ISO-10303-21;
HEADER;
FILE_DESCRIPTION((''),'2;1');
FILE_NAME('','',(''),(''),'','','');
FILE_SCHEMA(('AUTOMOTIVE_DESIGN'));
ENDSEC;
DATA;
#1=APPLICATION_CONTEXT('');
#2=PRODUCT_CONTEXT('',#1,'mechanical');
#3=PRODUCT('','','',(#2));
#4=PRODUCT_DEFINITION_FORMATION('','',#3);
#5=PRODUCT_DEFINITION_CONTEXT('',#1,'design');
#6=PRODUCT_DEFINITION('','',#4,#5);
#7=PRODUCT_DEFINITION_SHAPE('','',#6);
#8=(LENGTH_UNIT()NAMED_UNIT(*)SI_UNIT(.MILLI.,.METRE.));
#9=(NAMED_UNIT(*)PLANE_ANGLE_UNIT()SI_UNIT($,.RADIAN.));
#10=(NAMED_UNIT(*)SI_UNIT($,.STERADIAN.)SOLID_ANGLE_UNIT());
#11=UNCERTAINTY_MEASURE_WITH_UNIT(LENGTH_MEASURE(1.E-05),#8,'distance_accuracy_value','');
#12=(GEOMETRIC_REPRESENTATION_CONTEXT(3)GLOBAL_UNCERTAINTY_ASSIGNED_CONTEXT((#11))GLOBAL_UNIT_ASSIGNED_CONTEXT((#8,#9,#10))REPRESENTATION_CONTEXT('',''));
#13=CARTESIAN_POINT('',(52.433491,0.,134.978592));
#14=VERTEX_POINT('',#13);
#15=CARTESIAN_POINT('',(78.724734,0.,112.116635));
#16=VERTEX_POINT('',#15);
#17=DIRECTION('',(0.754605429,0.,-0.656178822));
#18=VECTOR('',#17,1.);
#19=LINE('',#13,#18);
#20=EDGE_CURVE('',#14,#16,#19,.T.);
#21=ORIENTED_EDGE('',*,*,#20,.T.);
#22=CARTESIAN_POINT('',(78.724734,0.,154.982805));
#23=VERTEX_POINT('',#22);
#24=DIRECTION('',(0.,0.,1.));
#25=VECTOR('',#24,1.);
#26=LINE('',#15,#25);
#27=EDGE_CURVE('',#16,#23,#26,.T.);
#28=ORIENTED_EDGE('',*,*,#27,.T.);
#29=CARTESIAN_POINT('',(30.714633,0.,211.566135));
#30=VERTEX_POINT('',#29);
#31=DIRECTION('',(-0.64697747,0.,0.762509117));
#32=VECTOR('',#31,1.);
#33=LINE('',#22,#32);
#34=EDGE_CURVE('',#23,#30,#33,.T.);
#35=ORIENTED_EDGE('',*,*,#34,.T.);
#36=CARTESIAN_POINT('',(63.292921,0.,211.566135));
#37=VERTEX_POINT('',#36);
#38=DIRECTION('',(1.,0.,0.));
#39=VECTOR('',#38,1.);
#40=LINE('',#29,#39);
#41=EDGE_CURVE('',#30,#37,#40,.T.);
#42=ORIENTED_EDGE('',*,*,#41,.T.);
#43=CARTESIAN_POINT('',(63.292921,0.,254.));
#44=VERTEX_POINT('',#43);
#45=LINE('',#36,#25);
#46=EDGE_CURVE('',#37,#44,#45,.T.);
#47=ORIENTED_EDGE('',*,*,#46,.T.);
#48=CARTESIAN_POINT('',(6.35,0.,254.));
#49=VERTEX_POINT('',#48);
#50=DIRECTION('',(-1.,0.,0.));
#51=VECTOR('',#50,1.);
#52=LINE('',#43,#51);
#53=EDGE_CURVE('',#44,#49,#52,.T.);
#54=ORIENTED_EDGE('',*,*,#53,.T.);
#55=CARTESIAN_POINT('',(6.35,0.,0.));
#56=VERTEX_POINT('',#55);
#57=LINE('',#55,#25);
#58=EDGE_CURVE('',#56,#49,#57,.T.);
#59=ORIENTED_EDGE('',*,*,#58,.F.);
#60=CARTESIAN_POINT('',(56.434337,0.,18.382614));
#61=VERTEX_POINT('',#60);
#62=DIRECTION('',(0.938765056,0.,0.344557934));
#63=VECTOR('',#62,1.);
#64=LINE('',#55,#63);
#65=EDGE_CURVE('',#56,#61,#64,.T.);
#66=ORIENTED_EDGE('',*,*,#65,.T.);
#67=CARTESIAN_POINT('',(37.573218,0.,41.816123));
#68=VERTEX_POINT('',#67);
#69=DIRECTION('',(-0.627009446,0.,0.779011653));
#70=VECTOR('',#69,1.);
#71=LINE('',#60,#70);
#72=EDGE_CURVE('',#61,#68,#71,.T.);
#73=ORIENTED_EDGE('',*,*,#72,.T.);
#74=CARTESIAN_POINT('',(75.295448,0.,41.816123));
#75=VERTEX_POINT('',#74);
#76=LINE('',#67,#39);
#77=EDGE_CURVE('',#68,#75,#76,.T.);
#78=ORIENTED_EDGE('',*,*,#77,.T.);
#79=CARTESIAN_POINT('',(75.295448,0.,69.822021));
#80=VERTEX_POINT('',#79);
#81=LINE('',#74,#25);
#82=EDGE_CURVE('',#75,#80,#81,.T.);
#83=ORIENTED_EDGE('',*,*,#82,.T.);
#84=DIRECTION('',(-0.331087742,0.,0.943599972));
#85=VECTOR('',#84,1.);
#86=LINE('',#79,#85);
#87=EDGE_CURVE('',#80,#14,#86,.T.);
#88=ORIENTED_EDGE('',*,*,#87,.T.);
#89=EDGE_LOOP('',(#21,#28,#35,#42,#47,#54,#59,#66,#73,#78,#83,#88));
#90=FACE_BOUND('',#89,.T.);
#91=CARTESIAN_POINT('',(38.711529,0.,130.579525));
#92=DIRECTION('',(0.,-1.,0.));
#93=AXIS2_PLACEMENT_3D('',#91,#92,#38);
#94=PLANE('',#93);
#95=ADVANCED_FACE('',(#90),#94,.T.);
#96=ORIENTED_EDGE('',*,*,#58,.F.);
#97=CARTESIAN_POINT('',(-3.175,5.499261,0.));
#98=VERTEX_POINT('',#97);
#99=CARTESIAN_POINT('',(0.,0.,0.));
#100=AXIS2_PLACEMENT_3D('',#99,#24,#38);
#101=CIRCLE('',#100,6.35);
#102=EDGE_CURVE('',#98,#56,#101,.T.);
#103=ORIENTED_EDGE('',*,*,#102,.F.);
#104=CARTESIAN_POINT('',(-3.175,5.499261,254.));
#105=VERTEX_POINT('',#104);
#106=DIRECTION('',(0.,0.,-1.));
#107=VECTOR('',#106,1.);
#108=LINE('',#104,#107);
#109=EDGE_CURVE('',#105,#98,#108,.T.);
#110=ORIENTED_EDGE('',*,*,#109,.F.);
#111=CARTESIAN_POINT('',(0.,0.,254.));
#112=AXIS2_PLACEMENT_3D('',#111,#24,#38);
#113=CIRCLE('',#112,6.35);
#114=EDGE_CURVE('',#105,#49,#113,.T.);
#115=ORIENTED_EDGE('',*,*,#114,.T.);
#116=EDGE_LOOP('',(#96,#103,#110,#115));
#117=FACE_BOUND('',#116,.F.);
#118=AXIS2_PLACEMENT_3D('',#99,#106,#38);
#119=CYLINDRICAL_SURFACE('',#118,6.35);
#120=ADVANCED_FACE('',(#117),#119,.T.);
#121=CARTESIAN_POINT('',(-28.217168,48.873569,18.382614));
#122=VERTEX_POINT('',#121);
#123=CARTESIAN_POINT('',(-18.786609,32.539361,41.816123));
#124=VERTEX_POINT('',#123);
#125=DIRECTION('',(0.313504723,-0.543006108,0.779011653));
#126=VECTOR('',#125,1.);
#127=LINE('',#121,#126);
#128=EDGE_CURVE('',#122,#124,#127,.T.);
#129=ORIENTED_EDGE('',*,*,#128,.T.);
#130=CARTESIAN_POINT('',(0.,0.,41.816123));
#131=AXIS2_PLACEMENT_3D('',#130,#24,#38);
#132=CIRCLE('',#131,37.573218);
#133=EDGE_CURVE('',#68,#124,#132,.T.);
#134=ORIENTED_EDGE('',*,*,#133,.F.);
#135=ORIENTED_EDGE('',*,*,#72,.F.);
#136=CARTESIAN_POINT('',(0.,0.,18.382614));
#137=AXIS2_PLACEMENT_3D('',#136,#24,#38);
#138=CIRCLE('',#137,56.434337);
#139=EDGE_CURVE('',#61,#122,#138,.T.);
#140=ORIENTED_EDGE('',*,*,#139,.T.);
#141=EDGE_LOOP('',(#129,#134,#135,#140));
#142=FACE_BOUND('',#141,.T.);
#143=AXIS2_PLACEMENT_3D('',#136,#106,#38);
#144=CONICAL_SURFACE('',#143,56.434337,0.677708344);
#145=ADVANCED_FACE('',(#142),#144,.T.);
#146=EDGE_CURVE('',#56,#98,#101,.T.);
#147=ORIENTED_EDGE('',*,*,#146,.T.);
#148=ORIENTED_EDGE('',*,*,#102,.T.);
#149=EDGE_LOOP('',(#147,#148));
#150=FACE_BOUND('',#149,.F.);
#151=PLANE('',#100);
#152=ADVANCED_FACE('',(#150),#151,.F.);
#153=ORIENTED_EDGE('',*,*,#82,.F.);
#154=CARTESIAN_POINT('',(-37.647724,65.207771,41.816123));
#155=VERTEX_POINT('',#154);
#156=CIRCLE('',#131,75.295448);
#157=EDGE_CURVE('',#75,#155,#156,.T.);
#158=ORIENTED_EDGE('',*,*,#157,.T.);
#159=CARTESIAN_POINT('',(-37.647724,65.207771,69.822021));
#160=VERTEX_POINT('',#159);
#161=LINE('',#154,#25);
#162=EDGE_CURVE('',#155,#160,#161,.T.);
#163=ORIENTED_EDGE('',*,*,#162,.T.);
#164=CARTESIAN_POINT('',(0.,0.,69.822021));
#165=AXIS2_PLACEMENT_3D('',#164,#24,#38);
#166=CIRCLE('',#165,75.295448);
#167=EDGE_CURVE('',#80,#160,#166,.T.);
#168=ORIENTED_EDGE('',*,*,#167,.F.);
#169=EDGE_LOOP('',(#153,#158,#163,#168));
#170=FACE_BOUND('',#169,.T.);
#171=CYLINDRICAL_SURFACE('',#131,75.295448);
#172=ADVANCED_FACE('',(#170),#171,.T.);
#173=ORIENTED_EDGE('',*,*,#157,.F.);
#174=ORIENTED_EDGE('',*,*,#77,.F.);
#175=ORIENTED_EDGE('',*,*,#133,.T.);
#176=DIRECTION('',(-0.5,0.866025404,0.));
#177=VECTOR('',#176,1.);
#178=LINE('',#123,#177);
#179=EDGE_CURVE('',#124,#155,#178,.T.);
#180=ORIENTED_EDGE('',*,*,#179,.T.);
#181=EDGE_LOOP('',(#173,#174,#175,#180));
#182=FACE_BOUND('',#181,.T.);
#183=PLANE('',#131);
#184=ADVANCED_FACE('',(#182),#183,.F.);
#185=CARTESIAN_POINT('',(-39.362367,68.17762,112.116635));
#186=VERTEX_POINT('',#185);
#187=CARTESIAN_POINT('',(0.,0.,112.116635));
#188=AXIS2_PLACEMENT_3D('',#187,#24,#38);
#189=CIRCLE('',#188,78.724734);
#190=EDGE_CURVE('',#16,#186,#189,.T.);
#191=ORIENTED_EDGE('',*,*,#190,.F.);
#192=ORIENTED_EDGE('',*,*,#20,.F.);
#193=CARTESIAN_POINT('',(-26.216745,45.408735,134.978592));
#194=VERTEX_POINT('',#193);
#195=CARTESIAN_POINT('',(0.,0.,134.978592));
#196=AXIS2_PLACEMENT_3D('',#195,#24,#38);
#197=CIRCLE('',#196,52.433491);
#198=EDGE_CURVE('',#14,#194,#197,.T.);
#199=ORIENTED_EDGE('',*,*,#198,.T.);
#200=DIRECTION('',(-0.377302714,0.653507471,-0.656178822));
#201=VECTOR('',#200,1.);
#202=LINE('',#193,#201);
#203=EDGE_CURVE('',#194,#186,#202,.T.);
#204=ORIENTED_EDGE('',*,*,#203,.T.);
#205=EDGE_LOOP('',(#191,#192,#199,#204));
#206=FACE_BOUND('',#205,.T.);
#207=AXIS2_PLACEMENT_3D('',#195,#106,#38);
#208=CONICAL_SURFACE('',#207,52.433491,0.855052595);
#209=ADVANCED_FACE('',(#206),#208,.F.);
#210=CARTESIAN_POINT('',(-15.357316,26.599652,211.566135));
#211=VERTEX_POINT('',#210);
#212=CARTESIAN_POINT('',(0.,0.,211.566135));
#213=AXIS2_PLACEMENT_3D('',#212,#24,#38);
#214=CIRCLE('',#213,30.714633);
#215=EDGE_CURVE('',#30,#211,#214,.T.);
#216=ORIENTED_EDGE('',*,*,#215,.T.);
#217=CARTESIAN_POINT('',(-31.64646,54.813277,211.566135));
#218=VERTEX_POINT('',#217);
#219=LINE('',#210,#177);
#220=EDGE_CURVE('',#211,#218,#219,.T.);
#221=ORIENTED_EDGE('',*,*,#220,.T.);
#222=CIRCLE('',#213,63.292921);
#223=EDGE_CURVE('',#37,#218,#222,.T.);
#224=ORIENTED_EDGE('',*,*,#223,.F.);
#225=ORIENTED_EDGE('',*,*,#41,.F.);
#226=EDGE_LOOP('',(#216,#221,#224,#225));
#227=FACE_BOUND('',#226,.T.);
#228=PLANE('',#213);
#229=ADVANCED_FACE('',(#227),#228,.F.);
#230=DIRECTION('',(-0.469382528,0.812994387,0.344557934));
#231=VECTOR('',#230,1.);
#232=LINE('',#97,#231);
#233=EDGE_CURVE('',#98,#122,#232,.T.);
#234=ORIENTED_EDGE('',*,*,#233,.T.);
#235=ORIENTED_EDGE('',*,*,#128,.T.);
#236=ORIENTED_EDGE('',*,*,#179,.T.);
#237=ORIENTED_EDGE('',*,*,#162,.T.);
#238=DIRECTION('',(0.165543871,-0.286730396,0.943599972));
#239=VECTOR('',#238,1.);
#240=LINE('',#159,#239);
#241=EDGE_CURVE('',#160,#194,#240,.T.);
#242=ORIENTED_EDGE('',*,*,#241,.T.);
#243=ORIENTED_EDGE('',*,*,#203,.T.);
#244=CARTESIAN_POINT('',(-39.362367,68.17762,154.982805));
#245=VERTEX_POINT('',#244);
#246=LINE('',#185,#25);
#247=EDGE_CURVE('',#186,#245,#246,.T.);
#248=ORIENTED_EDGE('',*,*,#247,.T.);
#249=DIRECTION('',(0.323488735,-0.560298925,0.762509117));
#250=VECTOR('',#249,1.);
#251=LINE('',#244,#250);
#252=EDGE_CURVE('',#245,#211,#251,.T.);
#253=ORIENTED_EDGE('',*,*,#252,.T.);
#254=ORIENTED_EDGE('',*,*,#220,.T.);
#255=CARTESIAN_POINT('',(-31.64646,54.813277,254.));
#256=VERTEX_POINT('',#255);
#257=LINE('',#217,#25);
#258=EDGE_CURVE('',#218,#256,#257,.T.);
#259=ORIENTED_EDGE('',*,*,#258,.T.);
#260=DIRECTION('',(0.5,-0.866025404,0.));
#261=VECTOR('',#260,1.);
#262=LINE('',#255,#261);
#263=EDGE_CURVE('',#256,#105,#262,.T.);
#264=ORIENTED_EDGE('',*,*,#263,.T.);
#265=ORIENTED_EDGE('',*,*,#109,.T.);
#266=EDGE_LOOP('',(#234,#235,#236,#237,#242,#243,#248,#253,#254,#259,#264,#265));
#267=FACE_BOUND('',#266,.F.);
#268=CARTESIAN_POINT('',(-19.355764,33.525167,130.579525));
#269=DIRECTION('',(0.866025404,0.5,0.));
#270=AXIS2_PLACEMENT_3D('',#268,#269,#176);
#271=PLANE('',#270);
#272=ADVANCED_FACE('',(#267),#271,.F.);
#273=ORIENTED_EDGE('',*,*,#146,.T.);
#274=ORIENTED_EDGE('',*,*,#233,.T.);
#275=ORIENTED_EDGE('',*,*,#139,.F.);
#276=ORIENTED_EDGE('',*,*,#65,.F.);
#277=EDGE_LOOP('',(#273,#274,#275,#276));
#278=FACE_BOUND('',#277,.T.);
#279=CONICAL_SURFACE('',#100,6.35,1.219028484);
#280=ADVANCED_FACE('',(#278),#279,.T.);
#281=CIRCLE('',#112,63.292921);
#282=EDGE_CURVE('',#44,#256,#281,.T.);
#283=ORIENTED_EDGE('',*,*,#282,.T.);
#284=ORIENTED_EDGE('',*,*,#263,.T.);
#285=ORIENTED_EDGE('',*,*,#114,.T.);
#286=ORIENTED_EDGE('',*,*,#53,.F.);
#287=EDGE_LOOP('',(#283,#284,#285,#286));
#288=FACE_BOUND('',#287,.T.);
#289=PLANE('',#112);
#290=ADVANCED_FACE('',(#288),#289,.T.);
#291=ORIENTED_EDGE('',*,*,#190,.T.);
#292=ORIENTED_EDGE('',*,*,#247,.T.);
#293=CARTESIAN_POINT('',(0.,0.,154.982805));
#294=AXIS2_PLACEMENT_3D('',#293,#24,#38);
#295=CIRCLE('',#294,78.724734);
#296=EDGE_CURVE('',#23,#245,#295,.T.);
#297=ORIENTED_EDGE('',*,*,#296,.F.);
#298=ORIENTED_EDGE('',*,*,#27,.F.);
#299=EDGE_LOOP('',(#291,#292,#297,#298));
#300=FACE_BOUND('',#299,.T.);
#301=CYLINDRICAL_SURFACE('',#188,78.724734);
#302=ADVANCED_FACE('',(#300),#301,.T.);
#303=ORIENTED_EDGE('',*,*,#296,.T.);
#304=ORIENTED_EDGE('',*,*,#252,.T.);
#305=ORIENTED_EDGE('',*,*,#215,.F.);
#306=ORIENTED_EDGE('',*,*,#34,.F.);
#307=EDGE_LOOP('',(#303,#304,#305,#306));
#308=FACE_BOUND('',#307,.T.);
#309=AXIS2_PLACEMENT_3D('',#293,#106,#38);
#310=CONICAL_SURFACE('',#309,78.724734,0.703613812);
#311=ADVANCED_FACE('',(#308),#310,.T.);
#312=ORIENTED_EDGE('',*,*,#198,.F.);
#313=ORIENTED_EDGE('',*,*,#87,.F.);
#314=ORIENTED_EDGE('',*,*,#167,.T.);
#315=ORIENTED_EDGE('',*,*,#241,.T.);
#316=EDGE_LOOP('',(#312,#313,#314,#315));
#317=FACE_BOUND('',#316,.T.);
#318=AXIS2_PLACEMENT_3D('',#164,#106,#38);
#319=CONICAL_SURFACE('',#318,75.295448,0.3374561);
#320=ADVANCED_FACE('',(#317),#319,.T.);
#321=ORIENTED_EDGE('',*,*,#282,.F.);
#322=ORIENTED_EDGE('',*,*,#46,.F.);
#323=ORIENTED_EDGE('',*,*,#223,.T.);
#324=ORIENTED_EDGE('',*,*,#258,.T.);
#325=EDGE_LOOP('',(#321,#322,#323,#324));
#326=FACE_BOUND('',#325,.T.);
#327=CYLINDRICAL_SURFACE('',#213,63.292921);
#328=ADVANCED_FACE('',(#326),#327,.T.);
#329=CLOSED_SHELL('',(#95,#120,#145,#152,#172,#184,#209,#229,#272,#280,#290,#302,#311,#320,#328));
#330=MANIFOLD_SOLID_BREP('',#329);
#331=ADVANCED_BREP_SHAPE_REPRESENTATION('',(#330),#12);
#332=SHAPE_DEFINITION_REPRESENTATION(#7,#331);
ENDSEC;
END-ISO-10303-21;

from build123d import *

# Parameters (mm, degrees)
F0_R     = 6.35
F1_DEPTH = 254
F3_ANGLE = -120


with BuildPart() as f1:
    # F0 (on Top) → F1 (new body)
    with BuildSketch(Plane.XY):
        Circle(F0_R)
    extrude(amount=F1_DEPTH)

    # F2 (on Front) → F3 (revolve)
    with BuildSketch(Plane.XZ):
        Polygon((63.292921, 254), (6.35, 254), (6.35, 0), (56.434337, 18.382614), (37.573218, 41.816123), (75.295448, 41.816123), (75.295448, 69.822021), (52.433491, 134.978592), (78.724734, 112.116635), (78.724734, 154.982805), (30.714633, 211.566135), (63.292921, 211.566135), align=None)
    revolve(axis=Axis((0, 0, 121.26141), (0, 0, -1)), revolution_arc=F3_ANGLE)


solid = f1.part
